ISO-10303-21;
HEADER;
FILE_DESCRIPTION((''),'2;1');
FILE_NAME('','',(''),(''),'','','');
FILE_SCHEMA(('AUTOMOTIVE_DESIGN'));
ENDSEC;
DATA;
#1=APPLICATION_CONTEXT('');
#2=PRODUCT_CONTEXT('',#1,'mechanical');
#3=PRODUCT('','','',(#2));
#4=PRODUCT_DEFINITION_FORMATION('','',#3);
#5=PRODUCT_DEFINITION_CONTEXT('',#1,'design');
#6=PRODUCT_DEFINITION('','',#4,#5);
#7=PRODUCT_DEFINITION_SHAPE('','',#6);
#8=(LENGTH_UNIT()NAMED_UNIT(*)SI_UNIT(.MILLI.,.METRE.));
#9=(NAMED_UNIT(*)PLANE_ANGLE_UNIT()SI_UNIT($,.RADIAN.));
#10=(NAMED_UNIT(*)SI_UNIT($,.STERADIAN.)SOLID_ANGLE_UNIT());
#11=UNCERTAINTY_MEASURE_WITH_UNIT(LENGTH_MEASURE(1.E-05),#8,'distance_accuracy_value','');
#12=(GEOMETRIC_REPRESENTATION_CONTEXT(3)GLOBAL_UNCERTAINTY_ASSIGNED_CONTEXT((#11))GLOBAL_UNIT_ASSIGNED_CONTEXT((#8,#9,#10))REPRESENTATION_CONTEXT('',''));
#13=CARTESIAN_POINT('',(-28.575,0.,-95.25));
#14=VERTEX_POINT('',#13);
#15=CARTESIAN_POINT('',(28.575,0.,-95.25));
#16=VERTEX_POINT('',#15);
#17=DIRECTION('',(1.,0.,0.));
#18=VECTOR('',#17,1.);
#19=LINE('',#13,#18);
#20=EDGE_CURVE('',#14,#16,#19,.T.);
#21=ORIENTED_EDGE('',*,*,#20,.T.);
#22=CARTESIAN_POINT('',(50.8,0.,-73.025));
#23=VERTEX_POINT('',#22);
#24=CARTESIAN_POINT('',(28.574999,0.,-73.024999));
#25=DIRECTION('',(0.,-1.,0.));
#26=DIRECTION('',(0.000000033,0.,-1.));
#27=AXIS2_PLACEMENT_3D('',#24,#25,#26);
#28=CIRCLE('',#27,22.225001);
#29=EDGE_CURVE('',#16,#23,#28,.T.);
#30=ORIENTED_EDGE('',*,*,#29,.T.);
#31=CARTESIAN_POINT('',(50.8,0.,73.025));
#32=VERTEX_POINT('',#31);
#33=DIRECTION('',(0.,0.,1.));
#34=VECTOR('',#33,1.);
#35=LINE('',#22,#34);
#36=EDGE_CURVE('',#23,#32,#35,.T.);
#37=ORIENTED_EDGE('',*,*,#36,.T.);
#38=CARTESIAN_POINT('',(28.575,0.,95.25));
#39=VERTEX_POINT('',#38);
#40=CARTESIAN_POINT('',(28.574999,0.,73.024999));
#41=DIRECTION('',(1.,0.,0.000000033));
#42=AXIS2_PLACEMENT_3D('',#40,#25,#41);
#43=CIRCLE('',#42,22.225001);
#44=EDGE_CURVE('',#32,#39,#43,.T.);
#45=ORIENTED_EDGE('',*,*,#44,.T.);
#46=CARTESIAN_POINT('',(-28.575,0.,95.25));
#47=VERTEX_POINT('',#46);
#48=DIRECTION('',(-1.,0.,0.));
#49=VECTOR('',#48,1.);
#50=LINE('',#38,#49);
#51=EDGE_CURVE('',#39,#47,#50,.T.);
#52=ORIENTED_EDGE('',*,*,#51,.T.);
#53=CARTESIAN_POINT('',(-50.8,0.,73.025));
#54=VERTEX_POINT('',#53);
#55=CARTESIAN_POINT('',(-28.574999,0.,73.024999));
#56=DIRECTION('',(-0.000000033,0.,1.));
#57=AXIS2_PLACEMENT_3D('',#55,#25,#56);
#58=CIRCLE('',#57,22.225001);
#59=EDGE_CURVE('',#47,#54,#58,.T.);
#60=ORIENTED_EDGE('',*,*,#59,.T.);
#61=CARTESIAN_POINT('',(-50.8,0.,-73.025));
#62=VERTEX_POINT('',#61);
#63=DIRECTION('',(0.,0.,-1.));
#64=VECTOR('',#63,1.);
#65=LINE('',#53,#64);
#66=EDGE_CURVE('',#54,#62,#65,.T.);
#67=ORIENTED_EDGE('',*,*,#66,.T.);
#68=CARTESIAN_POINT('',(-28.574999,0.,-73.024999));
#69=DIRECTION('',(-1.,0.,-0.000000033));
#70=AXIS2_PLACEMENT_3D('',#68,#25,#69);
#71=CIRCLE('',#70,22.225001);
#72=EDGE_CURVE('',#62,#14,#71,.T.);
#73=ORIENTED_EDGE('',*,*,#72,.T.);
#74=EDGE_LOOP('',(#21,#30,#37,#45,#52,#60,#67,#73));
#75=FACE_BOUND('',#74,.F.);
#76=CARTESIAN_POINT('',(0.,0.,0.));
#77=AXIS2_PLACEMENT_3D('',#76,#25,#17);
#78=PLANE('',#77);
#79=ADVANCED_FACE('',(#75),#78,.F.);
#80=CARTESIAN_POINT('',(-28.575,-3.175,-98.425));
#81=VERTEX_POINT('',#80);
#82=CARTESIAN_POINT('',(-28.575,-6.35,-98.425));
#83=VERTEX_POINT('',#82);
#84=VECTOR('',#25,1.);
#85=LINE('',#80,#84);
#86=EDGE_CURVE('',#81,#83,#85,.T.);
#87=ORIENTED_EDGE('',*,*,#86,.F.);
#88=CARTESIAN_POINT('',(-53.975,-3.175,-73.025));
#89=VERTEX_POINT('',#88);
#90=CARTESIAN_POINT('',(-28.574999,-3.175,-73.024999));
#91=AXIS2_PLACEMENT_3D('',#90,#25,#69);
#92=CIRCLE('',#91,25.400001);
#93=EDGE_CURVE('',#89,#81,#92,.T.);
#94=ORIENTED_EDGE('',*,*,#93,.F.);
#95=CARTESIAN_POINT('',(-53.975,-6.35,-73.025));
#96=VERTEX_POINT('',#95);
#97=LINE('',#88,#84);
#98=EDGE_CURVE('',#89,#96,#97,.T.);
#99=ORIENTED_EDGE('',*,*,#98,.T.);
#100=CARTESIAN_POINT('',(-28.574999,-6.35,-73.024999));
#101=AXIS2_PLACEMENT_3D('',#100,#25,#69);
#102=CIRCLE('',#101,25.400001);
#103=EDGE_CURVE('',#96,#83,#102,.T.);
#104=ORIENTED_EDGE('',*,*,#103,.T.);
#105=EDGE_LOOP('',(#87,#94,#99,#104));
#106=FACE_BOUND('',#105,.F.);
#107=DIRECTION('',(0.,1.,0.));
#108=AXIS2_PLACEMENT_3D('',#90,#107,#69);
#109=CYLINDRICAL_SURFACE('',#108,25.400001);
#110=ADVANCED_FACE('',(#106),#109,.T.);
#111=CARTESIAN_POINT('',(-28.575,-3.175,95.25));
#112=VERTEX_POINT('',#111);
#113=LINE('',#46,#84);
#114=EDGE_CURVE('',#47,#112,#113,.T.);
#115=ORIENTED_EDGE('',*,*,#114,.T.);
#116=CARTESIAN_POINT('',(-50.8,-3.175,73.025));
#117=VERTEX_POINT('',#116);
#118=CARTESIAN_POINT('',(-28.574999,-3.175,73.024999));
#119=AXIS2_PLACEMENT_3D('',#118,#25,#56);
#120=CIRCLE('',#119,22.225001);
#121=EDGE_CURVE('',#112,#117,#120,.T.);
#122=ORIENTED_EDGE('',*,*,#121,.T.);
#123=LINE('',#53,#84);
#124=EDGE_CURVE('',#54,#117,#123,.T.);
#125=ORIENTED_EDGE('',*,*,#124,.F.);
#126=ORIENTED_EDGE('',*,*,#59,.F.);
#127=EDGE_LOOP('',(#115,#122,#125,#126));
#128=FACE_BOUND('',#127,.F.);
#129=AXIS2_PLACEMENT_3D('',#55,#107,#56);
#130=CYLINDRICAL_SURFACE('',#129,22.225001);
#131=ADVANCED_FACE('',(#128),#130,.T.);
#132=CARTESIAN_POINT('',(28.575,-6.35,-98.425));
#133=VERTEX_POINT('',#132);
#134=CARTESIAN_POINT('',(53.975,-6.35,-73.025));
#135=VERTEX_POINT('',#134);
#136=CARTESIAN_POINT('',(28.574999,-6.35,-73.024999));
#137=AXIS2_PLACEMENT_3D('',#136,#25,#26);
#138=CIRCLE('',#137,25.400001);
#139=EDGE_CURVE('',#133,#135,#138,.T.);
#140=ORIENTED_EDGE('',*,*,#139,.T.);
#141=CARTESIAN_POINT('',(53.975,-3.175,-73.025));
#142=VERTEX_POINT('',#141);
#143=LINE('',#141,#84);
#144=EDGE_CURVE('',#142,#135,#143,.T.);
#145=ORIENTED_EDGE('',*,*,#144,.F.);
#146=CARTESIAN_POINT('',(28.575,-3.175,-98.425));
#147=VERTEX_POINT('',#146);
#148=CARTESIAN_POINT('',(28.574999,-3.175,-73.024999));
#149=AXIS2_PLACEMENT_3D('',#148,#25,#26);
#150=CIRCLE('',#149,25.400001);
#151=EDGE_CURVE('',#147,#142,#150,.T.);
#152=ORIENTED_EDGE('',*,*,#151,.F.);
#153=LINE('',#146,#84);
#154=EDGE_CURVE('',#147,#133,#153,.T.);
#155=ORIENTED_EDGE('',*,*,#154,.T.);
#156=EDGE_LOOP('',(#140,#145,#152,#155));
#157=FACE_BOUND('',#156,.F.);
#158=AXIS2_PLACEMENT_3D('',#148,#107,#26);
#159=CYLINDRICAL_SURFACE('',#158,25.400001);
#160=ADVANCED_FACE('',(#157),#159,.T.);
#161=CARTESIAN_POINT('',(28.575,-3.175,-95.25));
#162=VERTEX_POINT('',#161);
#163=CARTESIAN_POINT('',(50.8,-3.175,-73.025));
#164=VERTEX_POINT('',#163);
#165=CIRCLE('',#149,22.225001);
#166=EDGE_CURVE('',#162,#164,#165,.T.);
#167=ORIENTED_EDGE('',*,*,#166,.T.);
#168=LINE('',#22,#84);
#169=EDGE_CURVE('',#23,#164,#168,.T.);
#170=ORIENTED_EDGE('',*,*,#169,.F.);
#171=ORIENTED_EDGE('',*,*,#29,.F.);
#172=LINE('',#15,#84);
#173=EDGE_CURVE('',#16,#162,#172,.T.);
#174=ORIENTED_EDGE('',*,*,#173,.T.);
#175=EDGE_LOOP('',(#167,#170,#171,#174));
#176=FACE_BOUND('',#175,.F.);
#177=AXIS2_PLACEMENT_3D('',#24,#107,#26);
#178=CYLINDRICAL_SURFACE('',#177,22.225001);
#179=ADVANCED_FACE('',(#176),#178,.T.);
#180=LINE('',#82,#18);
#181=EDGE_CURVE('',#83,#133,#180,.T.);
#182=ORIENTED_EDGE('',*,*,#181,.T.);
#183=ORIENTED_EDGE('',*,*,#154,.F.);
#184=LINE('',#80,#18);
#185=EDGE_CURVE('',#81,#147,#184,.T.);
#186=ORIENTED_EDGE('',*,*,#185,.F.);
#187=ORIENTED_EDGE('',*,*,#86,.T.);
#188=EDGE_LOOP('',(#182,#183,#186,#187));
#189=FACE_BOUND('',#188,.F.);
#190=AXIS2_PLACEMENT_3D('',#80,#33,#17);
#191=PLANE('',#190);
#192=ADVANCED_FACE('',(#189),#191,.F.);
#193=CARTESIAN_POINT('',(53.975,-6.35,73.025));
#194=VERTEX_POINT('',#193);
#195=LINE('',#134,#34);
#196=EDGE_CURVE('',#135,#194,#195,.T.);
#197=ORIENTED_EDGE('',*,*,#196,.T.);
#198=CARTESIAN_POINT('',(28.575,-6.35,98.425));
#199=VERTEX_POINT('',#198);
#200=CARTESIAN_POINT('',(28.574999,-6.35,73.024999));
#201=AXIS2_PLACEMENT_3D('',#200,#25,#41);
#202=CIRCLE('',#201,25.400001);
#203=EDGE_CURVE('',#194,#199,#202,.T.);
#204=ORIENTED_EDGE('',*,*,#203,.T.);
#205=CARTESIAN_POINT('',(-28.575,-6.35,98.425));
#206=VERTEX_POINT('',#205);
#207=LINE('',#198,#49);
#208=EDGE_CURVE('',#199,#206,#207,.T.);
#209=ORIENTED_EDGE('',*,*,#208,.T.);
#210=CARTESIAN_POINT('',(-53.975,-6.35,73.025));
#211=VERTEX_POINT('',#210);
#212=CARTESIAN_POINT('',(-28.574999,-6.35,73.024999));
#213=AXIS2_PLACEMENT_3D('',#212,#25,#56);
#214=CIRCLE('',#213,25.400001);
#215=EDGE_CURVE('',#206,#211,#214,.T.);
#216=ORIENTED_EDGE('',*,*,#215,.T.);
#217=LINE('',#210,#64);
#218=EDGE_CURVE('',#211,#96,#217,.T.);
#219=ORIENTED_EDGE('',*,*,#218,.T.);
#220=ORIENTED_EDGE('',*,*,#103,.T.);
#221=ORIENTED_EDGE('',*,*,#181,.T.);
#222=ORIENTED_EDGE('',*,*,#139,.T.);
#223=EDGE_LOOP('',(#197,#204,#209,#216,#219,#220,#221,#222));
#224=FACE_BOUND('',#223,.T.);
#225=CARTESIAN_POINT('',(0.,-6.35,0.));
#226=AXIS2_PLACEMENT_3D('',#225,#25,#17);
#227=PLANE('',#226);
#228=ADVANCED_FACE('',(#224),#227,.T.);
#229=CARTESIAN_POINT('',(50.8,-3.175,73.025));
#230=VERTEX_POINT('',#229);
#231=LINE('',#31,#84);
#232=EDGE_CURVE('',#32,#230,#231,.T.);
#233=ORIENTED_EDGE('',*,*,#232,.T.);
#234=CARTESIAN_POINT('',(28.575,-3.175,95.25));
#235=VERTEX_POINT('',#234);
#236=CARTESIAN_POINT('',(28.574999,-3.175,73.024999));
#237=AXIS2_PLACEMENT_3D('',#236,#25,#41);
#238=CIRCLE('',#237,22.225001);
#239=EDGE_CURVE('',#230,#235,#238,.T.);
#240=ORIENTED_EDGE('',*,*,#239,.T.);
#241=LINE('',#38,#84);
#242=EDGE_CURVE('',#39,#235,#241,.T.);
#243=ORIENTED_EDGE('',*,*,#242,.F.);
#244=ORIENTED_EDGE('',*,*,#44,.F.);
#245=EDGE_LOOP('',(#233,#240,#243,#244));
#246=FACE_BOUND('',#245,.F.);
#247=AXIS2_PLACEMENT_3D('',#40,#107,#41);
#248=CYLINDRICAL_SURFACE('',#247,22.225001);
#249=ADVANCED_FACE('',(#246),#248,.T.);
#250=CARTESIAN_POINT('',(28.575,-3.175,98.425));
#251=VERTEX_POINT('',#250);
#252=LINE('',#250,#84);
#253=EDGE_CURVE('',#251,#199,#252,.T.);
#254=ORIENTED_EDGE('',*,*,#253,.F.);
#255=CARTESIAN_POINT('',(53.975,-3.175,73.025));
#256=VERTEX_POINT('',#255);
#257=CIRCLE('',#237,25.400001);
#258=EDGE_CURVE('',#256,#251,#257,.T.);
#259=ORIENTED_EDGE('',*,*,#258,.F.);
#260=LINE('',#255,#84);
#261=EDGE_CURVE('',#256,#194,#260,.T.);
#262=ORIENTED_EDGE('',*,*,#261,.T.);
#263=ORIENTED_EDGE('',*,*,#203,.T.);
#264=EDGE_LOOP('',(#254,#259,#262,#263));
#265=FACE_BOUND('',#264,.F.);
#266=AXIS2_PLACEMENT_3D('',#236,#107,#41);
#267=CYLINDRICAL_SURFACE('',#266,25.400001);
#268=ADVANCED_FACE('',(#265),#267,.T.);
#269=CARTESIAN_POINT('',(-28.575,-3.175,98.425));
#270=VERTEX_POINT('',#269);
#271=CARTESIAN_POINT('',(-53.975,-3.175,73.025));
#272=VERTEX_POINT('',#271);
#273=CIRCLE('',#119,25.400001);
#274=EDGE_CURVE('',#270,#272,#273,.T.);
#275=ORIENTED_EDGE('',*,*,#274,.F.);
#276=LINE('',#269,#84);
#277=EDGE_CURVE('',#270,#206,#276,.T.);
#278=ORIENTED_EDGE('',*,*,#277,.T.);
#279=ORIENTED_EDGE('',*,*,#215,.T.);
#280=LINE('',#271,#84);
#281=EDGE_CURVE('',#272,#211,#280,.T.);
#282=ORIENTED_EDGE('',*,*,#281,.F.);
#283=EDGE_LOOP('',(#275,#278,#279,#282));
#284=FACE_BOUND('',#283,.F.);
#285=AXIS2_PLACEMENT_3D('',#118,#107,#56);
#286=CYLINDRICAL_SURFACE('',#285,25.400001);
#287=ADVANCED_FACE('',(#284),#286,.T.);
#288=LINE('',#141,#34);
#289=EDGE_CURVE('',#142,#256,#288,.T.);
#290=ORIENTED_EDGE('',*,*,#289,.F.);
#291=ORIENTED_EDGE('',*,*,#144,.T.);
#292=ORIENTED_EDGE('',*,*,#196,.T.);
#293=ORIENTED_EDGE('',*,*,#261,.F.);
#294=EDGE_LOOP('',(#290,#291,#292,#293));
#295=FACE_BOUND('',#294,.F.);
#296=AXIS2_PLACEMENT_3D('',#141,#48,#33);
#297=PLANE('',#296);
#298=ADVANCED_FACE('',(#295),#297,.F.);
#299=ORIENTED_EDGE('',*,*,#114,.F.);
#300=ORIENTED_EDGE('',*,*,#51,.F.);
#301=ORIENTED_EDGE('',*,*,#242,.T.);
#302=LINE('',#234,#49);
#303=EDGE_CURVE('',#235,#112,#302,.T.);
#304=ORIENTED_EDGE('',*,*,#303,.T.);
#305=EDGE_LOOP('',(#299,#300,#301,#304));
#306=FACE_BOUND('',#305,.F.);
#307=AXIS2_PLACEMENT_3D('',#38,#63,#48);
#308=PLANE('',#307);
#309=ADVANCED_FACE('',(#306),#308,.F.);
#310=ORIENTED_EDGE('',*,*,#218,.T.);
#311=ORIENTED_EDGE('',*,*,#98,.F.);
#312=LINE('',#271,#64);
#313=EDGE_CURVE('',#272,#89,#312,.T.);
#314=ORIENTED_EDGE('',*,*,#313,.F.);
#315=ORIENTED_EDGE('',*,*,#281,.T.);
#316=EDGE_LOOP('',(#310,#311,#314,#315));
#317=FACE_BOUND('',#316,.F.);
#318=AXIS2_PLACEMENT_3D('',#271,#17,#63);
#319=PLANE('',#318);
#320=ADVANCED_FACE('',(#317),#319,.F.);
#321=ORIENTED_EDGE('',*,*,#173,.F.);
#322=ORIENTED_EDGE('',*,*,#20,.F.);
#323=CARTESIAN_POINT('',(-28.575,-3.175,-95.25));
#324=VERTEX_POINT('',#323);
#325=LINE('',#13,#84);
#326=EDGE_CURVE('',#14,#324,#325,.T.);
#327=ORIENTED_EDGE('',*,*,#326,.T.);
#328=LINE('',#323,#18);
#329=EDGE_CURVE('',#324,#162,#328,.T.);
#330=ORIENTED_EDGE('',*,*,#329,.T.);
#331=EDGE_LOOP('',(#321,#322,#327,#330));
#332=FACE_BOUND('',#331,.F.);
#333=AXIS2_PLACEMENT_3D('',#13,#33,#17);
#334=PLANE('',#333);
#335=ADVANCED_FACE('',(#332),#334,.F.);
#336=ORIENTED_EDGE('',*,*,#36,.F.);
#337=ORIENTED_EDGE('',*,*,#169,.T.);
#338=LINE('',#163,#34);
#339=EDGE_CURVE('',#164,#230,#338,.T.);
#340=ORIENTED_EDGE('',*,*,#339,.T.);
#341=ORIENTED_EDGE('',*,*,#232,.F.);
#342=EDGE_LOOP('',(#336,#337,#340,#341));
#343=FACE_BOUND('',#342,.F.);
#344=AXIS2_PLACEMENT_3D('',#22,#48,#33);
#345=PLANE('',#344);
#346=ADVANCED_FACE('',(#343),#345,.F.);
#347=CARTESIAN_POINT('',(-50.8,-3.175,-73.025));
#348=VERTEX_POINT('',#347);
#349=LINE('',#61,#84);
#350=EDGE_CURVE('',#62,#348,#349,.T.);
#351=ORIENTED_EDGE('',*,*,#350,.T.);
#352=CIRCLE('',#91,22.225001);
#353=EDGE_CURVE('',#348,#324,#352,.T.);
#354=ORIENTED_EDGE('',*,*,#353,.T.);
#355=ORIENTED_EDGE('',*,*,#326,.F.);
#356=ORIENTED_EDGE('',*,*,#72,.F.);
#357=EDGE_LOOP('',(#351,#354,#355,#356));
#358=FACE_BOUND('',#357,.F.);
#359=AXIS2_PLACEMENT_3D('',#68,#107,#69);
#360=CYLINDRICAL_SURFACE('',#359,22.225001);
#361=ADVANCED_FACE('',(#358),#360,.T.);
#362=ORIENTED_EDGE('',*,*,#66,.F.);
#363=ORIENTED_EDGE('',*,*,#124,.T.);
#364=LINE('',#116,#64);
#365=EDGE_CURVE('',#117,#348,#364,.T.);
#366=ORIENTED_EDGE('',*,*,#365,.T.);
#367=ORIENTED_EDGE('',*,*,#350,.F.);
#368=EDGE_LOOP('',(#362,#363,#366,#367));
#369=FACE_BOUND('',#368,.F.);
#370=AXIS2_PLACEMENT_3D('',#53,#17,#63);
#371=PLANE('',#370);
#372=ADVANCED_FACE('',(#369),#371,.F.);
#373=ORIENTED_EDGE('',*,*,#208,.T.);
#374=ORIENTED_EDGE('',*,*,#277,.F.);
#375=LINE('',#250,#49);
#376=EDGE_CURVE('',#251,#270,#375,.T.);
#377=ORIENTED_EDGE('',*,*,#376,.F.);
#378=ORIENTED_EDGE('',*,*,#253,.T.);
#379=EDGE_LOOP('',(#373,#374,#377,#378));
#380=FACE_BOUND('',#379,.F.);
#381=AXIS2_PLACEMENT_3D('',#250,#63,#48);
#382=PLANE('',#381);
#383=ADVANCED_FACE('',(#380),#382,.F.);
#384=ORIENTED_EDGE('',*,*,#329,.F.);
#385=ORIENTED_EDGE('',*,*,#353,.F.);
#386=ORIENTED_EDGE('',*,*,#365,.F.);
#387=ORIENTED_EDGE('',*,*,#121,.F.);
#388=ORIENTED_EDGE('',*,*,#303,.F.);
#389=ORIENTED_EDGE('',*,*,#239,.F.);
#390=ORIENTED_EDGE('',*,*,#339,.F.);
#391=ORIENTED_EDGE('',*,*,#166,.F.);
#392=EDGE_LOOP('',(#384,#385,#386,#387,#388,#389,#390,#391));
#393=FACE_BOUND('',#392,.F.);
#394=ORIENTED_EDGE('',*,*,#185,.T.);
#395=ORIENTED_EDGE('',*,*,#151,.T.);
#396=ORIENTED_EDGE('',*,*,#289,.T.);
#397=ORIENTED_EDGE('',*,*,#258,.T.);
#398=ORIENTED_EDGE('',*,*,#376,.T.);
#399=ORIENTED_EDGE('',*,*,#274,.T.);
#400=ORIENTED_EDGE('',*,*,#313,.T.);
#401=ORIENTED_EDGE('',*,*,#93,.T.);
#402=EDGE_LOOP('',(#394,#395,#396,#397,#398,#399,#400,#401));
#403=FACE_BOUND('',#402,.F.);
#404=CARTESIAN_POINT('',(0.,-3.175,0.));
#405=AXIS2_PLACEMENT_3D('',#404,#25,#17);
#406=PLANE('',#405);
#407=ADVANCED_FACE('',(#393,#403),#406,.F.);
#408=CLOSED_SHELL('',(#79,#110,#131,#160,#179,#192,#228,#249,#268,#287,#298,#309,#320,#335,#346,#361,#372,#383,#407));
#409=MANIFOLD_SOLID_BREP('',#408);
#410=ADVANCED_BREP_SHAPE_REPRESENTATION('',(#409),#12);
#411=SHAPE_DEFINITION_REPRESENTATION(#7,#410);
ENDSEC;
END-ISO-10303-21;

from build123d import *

# Parameters (mm, degrees)
F1_DEPTH = 3.175
F3_DEPTH = 3.175


with BuildPart() as f1:
    # F0 (on Front) → F1 (new body)
    with BuildSketch(Plane.XZ):
        with BuildLine():
            Line((50.8, -73.025), (50.8, 73.025))
            ThreePointArc((50.8, 73.025), (44.290448, 88.740448), (28.575, 95.25))
            Line((28.575, 95.25), (-28.575, 95.25))
            ThreePointArc((-28.575, 95.25), (-44.290448, 88.740448), (-50.8, 73.025))
            Line((-50.8, 73.025), (-50.8, -73.025))
            ThreePointArc((-50.8, -73.025), (-44.290448, -88.740448), (-28.575, -95.25))
            Line((-28.575, -95.25), (28.575, -95.25))
            ThreePointArc((28.575, -95.25), (44.290448, -88.740448), (50.8, -73.025))
        make_face()
    extrude(amount=F1_DEPTH)

    # F2 (on face) → F3 (join)
    with BuildSketch(Plane.XZ.offset(3.175)):
        with BuildLine():
            Line((-53.975, 73.025), (-53.975, -73.025))
            ThreePointArc((-53.975, -73.025), (-46.535512, -90.985512), (-28.575, -98.425))
            Line((-28.575, -98.425), (28.575, -98.425))
            ThreePointArc((28.575, -98.425), (46.535512, -90.985512), (53.975, -73.025))
            Line((53.975, -73.025), (53.975, 73.025))
            ThreePointArc((53.975, 73.025), (46.535512, 90.985512), (28.575, 98.425))
            Line((28.575, 98.425), (-28.575, 98.425))
            ThreePointArc((-28.575, 98.425), (-46.535512, 90.985512), (-53.975, 73.025))
        make_face()
    extrude(amount=F3_DEPTH)


solid = f1.part
